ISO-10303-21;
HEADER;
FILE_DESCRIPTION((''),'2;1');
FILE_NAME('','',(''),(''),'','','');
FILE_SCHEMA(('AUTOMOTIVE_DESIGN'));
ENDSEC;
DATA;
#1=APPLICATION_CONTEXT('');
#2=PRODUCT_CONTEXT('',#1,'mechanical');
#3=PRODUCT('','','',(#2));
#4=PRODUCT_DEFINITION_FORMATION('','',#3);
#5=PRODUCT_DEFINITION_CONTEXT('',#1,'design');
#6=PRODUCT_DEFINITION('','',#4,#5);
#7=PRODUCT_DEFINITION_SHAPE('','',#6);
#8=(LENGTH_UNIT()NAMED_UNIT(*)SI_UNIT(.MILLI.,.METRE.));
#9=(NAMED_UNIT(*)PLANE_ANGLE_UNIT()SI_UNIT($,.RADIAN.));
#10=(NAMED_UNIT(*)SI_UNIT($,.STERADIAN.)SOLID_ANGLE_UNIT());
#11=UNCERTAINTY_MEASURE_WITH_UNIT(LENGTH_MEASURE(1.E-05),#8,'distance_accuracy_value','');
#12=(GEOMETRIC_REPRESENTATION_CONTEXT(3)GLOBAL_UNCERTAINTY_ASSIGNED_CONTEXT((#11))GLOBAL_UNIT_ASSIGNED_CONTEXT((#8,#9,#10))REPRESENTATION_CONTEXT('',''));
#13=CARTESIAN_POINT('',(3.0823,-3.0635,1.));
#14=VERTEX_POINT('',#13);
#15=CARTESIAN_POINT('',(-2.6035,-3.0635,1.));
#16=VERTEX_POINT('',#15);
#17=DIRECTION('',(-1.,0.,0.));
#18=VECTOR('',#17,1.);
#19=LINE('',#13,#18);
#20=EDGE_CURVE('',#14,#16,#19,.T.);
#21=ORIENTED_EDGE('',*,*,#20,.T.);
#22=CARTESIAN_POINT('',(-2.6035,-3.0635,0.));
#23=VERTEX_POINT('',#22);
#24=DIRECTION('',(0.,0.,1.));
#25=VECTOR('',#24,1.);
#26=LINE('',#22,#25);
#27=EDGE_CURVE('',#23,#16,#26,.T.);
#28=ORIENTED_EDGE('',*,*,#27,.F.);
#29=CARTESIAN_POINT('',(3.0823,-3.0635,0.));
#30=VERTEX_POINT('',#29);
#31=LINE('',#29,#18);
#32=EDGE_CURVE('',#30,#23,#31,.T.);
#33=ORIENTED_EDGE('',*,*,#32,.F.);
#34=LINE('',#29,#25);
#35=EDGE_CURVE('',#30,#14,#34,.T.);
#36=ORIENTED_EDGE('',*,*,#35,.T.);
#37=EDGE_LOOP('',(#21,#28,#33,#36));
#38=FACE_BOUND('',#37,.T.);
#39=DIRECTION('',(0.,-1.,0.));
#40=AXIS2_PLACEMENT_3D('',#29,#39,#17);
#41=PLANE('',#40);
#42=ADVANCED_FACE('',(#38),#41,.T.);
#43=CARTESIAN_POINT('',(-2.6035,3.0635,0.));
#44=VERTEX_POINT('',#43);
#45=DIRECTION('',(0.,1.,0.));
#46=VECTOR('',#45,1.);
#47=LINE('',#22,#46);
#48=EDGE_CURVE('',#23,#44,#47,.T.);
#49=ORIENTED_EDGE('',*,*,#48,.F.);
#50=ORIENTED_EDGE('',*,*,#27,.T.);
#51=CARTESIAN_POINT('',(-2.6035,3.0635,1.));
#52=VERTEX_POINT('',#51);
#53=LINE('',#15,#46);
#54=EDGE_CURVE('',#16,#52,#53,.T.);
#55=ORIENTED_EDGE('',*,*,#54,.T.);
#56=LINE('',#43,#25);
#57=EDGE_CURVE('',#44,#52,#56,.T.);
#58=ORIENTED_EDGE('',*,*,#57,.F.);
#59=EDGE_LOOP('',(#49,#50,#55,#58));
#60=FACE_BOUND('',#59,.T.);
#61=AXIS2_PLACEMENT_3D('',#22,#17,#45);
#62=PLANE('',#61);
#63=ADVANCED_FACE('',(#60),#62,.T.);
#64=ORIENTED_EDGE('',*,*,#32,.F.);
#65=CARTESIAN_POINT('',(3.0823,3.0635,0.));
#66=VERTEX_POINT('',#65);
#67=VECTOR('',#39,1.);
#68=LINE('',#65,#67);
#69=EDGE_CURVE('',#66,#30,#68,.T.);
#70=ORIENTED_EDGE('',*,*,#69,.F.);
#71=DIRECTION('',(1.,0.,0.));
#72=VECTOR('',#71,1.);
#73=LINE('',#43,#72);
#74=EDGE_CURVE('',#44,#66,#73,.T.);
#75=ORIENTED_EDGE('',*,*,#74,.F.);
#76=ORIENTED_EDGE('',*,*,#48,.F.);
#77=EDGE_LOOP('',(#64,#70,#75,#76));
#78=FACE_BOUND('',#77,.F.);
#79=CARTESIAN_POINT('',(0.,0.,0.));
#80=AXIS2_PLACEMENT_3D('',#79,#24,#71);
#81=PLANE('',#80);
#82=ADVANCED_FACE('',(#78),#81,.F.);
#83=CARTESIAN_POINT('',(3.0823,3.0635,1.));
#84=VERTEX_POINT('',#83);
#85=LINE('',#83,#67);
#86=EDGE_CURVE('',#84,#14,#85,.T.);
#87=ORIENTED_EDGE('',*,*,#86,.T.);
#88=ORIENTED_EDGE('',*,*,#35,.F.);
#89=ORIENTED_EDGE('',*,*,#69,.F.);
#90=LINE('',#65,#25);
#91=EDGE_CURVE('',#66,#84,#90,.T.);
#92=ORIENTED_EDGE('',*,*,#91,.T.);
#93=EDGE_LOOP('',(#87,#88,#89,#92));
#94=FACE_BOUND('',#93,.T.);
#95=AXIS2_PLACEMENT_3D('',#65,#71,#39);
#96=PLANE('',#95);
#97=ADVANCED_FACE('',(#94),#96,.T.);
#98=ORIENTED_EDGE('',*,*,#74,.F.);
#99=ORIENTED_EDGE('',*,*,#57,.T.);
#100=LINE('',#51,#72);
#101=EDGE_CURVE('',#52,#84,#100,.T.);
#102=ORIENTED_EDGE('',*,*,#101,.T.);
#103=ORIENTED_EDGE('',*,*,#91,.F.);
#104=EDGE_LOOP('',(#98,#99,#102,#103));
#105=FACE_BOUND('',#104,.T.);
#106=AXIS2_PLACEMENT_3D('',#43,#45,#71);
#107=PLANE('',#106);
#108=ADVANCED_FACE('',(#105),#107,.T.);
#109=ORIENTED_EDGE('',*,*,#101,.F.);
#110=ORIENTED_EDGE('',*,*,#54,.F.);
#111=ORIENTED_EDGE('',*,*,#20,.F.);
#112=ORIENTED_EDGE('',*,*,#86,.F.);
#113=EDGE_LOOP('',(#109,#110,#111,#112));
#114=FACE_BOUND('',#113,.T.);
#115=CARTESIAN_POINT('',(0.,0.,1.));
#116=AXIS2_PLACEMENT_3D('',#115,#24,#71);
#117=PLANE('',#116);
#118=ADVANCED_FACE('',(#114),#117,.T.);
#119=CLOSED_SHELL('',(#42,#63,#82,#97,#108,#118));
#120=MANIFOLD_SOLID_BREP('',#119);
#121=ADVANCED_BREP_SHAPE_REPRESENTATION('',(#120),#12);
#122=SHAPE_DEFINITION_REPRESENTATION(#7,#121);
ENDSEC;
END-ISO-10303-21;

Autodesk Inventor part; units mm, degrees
ref_plane "YZ Plane" through (0, 0, 0) normal (1, 0, 0) x (0, 1, 0)
ref_plane "XZ Plane" through (0, 0, 0) normal (0, 1, 0) x (-1, 0, 0)
ref_plane "XY Plane" through (0, 0, 0) normal (0, 0, 1) x (1, 0, 0)
sketch "TSOP143XX, TSOP14340_101" plane through (0, 0, 0) normal (0, 0, 1) x (1, 0, 0)
  line L0 (-2.6035, 3.0635) -> (3.0823, 3.0635)
  line L1 (3.0823, 3.0635) -> (3.0823, -3.0635)
  line L2 (3.0823, -3.0635) -> (-2.6035, -3.0635)
  line L3 (-2.6035, -3.0635) -> (-2.6035, 3.0635)
extrude "Extrusion1" add sketch "TSOP143XX, TSOP14340_101" along normal blind 1
properties part number "TSOP14340"
